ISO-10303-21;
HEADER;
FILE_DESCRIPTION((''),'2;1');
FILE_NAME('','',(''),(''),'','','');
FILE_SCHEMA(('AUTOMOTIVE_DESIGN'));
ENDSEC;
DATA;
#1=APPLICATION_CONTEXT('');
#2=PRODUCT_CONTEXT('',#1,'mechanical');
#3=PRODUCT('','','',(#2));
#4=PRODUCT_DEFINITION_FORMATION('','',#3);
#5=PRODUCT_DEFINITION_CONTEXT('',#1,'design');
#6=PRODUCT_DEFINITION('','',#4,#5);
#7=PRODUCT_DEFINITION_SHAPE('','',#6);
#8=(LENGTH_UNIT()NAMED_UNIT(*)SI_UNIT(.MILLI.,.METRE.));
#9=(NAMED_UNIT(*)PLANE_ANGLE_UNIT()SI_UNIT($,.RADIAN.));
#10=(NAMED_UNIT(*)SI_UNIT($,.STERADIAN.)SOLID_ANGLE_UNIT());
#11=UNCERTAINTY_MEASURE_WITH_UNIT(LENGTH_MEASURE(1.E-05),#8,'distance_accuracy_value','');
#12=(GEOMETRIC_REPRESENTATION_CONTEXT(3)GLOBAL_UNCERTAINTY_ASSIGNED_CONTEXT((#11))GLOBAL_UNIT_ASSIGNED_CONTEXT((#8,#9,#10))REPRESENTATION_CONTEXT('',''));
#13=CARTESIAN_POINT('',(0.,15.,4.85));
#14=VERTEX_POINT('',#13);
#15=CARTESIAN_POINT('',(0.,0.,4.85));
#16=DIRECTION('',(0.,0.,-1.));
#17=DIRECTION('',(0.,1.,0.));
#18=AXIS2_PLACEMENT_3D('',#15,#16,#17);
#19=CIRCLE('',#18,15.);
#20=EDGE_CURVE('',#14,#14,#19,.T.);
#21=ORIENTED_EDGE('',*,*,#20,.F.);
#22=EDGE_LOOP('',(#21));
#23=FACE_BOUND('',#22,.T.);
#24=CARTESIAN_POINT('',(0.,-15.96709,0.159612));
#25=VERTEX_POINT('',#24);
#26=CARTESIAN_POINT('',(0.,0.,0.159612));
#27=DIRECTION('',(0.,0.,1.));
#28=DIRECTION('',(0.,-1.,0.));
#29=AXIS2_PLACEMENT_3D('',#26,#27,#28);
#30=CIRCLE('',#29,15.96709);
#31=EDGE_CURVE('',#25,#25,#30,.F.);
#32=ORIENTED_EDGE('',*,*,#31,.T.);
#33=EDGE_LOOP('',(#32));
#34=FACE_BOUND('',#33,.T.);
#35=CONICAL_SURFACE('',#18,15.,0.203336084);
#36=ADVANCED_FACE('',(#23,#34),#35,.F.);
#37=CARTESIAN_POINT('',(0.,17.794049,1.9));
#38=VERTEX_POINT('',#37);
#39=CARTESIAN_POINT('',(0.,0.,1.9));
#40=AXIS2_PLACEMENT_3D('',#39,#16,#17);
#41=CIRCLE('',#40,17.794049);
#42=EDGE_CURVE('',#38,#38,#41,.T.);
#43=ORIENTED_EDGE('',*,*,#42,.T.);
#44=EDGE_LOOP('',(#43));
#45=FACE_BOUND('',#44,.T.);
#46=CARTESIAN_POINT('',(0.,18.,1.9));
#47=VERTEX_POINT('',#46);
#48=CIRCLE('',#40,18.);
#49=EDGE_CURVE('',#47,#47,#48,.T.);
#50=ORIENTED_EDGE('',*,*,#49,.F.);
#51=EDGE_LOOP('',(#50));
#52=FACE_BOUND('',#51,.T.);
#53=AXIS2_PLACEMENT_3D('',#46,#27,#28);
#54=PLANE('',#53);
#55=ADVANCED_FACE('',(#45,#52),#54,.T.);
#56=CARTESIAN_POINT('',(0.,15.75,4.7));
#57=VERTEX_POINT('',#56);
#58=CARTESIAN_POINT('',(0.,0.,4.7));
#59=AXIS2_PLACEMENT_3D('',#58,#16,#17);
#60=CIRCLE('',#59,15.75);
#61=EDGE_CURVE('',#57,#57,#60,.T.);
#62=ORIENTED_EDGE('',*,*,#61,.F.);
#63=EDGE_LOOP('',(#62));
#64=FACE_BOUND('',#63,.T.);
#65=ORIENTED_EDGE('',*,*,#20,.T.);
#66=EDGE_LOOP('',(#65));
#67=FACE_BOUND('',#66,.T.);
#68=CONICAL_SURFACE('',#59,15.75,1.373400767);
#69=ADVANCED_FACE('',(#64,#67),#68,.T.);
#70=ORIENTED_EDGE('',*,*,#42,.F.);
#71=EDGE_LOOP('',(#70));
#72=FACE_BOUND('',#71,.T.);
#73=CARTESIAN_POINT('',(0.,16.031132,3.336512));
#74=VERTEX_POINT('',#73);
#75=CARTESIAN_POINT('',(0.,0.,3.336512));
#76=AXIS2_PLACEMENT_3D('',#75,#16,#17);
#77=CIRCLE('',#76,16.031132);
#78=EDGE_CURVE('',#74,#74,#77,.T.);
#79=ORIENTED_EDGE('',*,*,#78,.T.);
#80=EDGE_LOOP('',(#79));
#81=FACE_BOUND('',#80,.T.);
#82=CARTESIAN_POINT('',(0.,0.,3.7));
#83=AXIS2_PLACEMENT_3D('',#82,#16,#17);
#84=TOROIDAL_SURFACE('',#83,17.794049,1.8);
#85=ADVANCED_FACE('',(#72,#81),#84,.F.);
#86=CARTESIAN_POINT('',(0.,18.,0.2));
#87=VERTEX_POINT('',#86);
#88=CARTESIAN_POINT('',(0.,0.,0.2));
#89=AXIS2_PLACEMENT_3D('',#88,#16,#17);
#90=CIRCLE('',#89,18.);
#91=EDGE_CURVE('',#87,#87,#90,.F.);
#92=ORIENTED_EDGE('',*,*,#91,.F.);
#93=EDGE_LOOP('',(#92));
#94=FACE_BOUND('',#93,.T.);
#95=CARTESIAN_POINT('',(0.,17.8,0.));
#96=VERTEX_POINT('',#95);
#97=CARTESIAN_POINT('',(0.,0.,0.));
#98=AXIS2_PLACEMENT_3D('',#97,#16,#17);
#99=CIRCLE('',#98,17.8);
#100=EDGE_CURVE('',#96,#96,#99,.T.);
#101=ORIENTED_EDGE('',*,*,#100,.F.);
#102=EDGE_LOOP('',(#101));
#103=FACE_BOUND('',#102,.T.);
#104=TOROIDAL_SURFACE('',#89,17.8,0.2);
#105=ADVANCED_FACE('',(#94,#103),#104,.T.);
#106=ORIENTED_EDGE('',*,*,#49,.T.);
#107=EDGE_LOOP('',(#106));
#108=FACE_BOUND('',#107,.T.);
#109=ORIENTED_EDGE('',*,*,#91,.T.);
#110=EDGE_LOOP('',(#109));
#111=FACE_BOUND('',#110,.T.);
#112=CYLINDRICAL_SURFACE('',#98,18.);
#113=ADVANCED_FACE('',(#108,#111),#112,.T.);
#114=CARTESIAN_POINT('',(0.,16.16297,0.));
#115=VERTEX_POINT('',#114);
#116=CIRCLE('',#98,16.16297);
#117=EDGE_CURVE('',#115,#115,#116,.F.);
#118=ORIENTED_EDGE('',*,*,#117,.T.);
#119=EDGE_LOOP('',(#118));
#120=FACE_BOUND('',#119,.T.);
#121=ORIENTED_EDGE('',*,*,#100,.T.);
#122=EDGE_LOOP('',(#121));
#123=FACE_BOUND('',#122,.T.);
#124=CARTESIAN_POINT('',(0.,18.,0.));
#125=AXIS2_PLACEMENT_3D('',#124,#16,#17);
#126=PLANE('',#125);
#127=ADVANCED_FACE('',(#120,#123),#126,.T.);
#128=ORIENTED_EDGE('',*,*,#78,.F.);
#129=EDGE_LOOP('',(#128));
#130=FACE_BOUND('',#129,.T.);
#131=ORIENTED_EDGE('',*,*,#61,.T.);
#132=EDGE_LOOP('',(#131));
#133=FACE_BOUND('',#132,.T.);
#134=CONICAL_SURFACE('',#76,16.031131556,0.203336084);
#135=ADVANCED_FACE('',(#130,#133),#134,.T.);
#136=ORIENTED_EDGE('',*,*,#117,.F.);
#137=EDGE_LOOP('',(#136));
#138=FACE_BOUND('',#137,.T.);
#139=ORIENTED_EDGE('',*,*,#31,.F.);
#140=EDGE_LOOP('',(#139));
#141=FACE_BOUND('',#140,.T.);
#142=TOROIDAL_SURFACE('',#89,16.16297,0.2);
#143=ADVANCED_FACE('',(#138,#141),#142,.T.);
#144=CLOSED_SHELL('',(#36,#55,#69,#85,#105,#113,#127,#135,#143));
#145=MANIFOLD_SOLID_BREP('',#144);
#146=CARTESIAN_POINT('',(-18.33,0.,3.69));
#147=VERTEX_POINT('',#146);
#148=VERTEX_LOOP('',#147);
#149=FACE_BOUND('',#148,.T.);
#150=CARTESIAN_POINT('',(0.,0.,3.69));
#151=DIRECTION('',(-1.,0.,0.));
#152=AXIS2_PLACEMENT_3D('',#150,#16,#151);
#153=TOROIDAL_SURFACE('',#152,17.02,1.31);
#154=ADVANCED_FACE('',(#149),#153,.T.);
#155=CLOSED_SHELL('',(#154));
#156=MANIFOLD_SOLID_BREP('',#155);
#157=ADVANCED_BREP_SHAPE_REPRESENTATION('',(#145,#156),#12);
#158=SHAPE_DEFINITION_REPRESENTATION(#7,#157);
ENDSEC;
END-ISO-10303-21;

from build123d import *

# Parameters (mm, degrees)
FILLET1_R = 0.2
SKETCH2_R = 1.31


with BuildPart() as part:
    # Sketch1 → Revolve1 (revolve)
    with BuildSketch(Plane(origin=(0, 0, 0), x_dir=(0, 0, -1), z_dir=(1, 0, 0))):
        with BuildLine():
            Line((-1.9, 18), (0, 18))
            Line((0, 18), (0, 16))
            Line((0, 16), (-4.85, 15))
            Line((-4.85, 15), (-4.7, 15.75))
            Line((-4.7, 15.75), (-3.336511953, 16.031131556))
            ThreePointArc((-3.336511953, 16.031131556), (-2.304600687, 16.657008232), (-1.9, 17.794048582))
            Line((-1.9, 17.794048582), (-1.9, 18))
        make_face()
    revolve(axis=Axis((0, 0, 0), (0, 0, 1)))

    # Fillet1
    fillet1_edges = [part.edges().sort_by_distance(p)[0] for p in [
        (0, -16, 0),
        (0, -18, 0),
    ]]
    fillet(fillet1_edges, radius=FILLET1_R)


with BuildPart() as body_2:
    # Sketch2 → Revolve2 (revolve)
    with BuildSketch(Plane(origin=(0, 0, 0), x_dir=(0, 0, -1), z_dir=(1, 0, 0)), mode=Mode.PRIVATE) as revolve2_sk:
        with Locations((-3.69, 17.02)):
            Circle(SKETCH2_R)
    revolve(revolve2_sk.sketch.rotate(Axis((0, 0, 0), (0, 0, 1)), 90), axis=Axis((0, 0, 0), (0, 0, 1)))


solid = Compound([part.part, body_2.part])
